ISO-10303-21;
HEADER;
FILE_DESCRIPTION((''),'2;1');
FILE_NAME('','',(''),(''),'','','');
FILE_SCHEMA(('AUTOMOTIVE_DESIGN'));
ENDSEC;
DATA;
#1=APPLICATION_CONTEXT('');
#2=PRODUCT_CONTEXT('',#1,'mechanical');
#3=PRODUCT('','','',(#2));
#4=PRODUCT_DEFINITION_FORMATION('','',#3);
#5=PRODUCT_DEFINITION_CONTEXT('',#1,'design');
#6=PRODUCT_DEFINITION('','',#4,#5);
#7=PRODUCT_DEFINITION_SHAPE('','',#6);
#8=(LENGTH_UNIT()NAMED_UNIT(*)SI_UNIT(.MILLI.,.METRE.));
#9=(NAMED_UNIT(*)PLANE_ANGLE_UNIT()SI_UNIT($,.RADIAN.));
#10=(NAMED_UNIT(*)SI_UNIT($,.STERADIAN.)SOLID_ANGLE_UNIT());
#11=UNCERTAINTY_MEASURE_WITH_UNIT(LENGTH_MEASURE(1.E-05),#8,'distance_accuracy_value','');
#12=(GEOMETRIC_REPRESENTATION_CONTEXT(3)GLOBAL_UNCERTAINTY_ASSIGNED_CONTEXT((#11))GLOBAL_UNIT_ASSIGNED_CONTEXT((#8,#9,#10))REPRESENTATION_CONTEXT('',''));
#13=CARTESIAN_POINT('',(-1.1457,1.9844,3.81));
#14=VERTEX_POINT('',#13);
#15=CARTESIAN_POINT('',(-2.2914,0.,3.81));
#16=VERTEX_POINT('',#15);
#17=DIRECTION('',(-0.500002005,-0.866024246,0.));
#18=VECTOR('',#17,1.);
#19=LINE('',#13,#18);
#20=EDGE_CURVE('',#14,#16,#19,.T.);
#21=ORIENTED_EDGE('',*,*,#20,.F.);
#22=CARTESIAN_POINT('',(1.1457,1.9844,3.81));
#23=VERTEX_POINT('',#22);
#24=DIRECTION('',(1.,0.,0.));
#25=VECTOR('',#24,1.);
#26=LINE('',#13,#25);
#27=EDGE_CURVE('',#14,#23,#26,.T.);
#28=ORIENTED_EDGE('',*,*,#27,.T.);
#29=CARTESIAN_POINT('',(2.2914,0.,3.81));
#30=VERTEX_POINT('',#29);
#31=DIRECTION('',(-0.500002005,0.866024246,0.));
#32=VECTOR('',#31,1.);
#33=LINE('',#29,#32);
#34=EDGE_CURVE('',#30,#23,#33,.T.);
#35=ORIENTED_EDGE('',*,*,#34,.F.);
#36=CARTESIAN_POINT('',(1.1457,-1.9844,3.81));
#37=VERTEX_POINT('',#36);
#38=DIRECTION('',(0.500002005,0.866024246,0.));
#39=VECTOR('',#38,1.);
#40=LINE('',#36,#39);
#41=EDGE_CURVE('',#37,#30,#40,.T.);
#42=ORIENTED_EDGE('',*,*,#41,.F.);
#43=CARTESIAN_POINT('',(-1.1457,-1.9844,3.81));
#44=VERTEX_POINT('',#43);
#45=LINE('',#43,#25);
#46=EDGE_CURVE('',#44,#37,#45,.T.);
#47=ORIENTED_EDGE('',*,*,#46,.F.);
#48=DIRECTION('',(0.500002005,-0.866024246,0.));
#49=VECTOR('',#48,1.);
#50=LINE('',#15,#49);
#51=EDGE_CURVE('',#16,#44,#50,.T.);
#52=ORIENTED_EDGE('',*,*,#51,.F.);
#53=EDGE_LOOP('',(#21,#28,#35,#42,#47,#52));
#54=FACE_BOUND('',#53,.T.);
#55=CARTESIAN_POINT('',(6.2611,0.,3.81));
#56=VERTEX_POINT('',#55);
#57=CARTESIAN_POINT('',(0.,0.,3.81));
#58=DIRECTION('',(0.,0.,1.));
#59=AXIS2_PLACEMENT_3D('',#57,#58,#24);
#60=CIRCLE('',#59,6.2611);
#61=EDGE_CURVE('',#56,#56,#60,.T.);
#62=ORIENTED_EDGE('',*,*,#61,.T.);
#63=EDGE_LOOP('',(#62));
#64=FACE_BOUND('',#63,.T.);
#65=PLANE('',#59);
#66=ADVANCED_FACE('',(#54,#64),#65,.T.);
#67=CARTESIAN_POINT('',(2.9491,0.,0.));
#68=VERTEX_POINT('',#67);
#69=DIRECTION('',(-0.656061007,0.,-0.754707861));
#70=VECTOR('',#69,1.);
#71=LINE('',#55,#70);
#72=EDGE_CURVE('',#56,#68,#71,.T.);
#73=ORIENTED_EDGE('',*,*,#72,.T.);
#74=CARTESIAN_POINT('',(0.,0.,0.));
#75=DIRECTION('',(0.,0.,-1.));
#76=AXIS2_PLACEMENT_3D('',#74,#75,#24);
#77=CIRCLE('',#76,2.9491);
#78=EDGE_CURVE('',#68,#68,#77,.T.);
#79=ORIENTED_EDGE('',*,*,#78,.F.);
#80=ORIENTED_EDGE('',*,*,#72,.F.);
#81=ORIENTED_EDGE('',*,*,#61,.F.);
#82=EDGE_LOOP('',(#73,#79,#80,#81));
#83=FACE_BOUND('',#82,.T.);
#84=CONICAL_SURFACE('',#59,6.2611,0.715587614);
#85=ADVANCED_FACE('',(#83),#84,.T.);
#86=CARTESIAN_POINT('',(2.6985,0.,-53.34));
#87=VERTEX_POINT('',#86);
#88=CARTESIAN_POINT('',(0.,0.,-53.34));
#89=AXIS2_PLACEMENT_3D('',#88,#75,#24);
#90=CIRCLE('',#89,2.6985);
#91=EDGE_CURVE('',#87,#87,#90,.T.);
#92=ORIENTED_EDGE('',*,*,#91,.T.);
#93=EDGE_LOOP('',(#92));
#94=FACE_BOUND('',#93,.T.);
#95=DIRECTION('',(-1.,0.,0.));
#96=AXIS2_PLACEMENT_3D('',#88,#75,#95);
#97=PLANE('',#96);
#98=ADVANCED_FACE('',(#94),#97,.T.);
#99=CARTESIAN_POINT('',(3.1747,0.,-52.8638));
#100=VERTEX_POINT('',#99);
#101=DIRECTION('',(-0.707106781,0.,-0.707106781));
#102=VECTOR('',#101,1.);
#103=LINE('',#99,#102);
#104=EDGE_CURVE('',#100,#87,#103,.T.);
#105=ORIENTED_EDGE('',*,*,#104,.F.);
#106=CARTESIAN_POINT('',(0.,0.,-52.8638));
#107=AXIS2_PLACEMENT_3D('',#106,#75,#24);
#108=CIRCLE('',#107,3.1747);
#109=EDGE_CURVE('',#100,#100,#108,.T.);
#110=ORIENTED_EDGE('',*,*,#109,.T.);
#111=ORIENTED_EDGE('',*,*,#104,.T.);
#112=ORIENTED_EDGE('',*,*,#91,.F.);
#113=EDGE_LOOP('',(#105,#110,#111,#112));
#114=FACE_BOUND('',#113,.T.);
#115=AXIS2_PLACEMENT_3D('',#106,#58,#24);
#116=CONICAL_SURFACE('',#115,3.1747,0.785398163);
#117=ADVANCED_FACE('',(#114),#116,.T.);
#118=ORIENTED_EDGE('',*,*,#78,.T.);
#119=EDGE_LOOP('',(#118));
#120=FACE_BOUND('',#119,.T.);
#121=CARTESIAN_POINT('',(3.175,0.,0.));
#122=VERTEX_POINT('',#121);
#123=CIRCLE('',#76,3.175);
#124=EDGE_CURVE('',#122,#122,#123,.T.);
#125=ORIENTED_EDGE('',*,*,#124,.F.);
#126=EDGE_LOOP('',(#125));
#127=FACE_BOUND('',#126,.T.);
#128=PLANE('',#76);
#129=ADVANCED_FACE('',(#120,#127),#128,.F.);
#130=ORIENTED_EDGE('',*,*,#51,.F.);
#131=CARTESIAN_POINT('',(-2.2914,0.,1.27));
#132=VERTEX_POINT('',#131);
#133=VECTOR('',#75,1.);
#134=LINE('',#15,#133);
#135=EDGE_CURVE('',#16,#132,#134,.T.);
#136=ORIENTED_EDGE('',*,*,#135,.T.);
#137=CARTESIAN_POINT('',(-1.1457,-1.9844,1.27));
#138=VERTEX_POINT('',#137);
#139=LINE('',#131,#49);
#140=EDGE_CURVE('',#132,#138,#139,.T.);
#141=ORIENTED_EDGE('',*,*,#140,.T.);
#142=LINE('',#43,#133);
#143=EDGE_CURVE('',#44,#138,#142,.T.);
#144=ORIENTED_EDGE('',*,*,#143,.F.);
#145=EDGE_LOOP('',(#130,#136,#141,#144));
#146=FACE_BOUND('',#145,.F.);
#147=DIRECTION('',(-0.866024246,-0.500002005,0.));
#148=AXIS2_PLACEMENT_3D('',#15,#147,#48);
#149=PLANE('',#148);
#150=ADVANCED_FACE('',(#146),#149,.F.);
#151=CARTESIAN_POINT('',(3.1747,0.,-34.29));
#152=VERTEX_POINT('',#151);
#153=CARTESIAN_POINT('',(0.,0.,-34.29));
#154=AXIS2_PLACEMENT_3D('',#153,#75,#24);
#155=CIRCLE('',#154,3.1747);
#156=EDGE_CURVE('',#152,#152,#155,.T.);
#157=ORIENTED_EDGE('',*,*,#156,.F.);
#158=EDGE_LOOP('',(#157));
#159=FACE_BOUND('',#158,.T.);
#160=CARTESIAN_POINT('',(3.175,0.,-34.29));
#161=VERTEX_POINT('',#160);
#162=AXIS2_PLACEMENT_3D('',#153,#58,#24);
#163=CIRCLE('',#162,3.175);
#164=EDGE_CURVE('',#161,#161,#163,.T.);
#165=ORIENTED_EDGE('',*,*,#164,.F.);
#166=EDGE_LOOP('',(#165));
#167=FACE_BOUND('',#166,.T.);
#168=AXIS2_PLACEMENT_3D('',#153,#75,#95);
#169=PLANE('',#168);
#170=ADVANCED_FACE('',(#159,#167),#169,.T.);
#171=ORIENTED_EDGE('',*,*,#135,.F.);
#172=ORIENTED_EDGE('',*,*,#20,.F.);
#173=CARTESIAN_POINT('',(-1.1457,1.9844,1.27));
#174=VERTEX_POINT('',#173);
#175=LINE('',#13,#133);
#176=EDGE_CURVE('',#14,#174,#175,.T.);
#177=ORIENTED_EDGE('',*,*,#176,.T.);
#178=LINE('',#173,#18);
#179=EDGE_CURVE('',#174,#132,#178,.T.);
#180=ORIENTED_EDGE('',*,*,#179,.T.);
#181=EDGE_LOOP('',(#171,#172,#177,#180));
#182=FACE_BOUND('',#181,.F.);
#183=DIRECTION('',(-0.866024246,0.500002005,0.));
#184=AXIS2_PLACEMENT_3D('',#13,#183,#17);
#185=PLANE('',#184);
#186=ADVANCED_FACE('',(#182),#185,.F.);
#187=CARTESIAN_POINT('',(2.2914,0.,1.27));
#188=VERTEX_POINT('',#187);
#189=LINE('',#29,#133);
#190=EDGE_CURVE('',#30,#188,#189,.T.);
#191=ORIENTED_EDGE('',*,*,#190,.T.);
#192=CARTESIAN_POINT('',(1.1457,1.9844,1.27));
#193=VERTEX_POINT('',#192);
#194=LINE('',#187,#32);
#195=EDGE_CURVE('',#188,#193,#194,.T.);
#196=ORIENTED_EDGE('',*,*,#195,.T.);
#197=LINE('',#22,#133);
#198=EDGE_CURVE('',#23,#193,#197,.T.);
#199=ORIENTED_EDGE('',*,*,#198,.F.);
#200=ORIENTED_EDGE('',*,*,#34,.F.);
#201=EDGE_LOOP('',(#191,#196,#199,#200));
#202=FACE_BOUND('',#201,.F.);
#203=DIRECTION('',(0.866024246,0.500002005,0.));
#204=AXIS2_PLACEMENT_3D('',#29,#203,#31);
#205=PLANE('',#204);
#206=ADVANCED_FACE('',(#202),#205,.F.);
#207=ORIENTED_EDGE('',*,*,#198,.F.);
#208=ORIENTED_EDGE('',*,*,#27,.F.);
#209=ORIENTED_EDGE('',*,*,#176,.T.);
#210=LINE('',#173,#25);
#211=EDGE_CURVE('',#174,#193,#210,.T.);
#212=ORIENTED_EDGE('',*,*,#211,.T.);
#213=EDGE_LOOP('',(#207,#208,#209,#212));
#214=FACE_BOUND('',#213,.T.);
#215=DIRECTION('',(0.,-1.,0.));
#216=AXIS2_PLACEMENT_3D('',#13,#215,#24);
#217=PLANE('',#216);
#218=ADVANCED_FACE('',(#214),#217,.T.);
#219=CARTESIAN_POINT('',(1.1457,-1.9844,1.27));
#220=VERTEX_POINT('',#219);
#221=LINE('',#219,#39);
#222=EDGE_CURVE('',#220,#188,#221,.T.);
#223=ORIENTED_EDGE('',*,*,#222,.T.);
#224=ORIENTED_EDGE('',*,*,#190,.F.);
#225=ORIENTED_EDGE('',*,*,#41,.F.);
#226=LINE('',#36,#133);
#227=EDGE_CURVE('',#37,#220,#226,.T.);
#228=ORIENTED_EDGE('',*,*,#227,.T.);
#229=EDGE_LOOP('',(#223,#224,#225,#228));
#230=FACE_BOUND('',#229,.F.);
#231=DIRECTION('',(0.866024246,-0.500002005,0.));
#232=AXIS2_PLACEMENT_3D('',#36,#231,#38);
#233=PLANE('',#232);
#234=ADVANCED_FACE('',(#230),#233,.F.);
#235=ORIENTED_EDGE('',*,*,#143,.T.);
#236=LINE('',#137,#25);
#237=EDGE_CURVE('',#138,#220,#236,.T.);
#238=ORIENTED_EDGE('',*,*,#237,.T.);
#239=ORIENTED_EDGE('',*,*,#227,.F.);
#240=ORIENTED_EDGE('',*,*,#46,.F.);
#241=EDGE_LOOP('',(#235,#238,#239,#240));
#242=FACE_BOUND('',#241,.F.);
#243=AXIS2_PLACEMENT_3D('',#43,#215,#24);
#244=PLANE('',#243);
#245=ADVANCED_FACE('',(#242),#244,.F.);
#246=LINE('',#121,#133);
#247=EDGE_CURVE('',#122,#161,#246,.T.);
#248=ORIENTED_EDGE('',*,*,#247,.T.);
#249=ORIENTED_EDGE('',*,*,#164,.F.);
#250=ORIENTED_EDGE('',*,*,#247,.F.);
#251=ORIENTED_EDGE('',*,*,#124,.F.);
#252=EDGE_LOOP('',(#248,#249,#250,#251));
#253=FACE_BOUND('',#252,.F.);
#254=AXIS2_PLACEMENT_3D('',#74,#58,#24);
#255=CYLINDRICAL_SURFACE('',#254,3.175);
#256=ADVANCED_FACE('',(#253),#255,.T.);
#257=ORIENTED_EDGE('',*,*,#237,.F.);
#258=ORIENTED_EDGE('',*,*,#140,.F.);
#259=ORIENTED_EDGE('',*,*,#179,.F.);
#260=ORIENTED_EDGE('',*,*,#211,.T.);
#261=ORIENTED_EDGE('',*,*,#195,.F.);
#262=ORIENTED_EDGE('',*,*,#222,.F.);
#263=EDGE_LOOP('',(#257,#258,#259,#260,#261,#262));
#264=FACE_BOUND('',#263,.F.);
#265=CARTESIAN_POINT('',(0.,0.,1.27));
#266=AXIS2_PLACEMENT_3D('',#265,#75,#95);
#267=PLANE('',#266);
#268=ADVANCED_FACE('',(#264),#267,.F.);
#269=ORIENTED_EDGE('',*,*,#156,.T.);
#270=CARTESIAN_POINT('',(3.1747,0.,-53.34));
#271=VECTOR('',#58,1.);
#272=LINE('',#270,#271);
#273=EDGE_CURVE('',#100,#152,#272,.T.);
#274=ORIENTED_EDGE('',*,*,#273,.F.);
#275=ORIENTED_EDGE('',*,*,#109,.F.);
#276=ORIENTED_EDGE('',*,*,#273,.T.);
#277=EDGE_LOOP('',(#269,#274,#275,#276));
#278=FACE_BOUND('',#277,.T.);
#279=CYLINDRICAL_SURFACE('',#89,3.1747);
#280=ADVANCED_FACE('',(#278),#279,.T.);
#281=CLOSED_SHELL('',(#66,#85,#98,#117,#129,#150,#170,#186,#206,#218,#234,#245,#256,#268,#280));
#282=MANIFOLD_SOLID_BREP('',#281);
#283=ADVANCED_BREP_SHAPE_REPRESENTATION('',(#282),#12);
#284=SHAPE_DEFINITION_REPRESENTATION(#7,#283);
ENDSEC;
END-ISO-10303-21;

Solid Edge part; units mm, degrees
sketch "Sketch1" plane through (0, 0, 0) normal (0, 0, 1) x (1, 0, 0)
  circle A0 centre (0, 0) radius 6.2611
  dimension "D1" = 12.5222
extrude "Protrusion1" add sketch "Sketch1" along normal blind 3.81
sketch "Sketch2" plane through (0, 0, 0) normal (0, 0, -1) x (1, 0, 0)
  circle A0 centre (0, 0) radius 3.175
extrude "Protrusion2" add sketch "Sketch2" along normal blind 53.34
sketch "Sketch3" plane through (0, 0, -53.34) normal (0, 0, -1) x (1, 0, 0)
  circle A0 centre (0, 0) radius 3.1747
extrude "Cutout1" cut sketch "Sketch3" against normal blind 19.05 flip side to cut
chamfer "Chamfer_1" distance 0.4762 angle 45 1 edges at (-3.1747, 0, -53.34)
sketch "Sketch4" plane through (0, 0, 3.81) normal (0, 0, 1) x (1, 0, 0)
  line L0 (-1.1457, 1.9844) -> (1.1457, 1.9844)
  line L1 (2.2914, 0) -> (1.1457, 1.9844)
  line L2 (1.1457, -1.9844) -> (2.2914, 0)
  line L3 (-1.1457, -1.9844) -> (1.1457, -1.9844)
  line L4 (-2.2914, 0) -> (-1.1457, -1.9844)
  line L5 (-1.1457, 1.9844) -> (-2.2914, 0)
  dimension "D1" = 3.9688
extrude "Cutout2" cut sketch "Sketch4" against normal blind 2.54
sketch "Sketch5" plane through (0, 0, 0) normal (0, -1, 0) x (1, 0, 0)
  line L0 (6.2611, 3.81) -> (2.9491, 0)
  line L1 (2.9491, 0) -> (6.2611, 0)
  line L2 (6.2611, 0) -> (6.2611, 3.81)
revolve "RevolvedCutout1" cut sketch "Sketch5" angle 360 about axis through (0, 0, 14.0017) along (0, 0, -1)
properties part number "24104257"
